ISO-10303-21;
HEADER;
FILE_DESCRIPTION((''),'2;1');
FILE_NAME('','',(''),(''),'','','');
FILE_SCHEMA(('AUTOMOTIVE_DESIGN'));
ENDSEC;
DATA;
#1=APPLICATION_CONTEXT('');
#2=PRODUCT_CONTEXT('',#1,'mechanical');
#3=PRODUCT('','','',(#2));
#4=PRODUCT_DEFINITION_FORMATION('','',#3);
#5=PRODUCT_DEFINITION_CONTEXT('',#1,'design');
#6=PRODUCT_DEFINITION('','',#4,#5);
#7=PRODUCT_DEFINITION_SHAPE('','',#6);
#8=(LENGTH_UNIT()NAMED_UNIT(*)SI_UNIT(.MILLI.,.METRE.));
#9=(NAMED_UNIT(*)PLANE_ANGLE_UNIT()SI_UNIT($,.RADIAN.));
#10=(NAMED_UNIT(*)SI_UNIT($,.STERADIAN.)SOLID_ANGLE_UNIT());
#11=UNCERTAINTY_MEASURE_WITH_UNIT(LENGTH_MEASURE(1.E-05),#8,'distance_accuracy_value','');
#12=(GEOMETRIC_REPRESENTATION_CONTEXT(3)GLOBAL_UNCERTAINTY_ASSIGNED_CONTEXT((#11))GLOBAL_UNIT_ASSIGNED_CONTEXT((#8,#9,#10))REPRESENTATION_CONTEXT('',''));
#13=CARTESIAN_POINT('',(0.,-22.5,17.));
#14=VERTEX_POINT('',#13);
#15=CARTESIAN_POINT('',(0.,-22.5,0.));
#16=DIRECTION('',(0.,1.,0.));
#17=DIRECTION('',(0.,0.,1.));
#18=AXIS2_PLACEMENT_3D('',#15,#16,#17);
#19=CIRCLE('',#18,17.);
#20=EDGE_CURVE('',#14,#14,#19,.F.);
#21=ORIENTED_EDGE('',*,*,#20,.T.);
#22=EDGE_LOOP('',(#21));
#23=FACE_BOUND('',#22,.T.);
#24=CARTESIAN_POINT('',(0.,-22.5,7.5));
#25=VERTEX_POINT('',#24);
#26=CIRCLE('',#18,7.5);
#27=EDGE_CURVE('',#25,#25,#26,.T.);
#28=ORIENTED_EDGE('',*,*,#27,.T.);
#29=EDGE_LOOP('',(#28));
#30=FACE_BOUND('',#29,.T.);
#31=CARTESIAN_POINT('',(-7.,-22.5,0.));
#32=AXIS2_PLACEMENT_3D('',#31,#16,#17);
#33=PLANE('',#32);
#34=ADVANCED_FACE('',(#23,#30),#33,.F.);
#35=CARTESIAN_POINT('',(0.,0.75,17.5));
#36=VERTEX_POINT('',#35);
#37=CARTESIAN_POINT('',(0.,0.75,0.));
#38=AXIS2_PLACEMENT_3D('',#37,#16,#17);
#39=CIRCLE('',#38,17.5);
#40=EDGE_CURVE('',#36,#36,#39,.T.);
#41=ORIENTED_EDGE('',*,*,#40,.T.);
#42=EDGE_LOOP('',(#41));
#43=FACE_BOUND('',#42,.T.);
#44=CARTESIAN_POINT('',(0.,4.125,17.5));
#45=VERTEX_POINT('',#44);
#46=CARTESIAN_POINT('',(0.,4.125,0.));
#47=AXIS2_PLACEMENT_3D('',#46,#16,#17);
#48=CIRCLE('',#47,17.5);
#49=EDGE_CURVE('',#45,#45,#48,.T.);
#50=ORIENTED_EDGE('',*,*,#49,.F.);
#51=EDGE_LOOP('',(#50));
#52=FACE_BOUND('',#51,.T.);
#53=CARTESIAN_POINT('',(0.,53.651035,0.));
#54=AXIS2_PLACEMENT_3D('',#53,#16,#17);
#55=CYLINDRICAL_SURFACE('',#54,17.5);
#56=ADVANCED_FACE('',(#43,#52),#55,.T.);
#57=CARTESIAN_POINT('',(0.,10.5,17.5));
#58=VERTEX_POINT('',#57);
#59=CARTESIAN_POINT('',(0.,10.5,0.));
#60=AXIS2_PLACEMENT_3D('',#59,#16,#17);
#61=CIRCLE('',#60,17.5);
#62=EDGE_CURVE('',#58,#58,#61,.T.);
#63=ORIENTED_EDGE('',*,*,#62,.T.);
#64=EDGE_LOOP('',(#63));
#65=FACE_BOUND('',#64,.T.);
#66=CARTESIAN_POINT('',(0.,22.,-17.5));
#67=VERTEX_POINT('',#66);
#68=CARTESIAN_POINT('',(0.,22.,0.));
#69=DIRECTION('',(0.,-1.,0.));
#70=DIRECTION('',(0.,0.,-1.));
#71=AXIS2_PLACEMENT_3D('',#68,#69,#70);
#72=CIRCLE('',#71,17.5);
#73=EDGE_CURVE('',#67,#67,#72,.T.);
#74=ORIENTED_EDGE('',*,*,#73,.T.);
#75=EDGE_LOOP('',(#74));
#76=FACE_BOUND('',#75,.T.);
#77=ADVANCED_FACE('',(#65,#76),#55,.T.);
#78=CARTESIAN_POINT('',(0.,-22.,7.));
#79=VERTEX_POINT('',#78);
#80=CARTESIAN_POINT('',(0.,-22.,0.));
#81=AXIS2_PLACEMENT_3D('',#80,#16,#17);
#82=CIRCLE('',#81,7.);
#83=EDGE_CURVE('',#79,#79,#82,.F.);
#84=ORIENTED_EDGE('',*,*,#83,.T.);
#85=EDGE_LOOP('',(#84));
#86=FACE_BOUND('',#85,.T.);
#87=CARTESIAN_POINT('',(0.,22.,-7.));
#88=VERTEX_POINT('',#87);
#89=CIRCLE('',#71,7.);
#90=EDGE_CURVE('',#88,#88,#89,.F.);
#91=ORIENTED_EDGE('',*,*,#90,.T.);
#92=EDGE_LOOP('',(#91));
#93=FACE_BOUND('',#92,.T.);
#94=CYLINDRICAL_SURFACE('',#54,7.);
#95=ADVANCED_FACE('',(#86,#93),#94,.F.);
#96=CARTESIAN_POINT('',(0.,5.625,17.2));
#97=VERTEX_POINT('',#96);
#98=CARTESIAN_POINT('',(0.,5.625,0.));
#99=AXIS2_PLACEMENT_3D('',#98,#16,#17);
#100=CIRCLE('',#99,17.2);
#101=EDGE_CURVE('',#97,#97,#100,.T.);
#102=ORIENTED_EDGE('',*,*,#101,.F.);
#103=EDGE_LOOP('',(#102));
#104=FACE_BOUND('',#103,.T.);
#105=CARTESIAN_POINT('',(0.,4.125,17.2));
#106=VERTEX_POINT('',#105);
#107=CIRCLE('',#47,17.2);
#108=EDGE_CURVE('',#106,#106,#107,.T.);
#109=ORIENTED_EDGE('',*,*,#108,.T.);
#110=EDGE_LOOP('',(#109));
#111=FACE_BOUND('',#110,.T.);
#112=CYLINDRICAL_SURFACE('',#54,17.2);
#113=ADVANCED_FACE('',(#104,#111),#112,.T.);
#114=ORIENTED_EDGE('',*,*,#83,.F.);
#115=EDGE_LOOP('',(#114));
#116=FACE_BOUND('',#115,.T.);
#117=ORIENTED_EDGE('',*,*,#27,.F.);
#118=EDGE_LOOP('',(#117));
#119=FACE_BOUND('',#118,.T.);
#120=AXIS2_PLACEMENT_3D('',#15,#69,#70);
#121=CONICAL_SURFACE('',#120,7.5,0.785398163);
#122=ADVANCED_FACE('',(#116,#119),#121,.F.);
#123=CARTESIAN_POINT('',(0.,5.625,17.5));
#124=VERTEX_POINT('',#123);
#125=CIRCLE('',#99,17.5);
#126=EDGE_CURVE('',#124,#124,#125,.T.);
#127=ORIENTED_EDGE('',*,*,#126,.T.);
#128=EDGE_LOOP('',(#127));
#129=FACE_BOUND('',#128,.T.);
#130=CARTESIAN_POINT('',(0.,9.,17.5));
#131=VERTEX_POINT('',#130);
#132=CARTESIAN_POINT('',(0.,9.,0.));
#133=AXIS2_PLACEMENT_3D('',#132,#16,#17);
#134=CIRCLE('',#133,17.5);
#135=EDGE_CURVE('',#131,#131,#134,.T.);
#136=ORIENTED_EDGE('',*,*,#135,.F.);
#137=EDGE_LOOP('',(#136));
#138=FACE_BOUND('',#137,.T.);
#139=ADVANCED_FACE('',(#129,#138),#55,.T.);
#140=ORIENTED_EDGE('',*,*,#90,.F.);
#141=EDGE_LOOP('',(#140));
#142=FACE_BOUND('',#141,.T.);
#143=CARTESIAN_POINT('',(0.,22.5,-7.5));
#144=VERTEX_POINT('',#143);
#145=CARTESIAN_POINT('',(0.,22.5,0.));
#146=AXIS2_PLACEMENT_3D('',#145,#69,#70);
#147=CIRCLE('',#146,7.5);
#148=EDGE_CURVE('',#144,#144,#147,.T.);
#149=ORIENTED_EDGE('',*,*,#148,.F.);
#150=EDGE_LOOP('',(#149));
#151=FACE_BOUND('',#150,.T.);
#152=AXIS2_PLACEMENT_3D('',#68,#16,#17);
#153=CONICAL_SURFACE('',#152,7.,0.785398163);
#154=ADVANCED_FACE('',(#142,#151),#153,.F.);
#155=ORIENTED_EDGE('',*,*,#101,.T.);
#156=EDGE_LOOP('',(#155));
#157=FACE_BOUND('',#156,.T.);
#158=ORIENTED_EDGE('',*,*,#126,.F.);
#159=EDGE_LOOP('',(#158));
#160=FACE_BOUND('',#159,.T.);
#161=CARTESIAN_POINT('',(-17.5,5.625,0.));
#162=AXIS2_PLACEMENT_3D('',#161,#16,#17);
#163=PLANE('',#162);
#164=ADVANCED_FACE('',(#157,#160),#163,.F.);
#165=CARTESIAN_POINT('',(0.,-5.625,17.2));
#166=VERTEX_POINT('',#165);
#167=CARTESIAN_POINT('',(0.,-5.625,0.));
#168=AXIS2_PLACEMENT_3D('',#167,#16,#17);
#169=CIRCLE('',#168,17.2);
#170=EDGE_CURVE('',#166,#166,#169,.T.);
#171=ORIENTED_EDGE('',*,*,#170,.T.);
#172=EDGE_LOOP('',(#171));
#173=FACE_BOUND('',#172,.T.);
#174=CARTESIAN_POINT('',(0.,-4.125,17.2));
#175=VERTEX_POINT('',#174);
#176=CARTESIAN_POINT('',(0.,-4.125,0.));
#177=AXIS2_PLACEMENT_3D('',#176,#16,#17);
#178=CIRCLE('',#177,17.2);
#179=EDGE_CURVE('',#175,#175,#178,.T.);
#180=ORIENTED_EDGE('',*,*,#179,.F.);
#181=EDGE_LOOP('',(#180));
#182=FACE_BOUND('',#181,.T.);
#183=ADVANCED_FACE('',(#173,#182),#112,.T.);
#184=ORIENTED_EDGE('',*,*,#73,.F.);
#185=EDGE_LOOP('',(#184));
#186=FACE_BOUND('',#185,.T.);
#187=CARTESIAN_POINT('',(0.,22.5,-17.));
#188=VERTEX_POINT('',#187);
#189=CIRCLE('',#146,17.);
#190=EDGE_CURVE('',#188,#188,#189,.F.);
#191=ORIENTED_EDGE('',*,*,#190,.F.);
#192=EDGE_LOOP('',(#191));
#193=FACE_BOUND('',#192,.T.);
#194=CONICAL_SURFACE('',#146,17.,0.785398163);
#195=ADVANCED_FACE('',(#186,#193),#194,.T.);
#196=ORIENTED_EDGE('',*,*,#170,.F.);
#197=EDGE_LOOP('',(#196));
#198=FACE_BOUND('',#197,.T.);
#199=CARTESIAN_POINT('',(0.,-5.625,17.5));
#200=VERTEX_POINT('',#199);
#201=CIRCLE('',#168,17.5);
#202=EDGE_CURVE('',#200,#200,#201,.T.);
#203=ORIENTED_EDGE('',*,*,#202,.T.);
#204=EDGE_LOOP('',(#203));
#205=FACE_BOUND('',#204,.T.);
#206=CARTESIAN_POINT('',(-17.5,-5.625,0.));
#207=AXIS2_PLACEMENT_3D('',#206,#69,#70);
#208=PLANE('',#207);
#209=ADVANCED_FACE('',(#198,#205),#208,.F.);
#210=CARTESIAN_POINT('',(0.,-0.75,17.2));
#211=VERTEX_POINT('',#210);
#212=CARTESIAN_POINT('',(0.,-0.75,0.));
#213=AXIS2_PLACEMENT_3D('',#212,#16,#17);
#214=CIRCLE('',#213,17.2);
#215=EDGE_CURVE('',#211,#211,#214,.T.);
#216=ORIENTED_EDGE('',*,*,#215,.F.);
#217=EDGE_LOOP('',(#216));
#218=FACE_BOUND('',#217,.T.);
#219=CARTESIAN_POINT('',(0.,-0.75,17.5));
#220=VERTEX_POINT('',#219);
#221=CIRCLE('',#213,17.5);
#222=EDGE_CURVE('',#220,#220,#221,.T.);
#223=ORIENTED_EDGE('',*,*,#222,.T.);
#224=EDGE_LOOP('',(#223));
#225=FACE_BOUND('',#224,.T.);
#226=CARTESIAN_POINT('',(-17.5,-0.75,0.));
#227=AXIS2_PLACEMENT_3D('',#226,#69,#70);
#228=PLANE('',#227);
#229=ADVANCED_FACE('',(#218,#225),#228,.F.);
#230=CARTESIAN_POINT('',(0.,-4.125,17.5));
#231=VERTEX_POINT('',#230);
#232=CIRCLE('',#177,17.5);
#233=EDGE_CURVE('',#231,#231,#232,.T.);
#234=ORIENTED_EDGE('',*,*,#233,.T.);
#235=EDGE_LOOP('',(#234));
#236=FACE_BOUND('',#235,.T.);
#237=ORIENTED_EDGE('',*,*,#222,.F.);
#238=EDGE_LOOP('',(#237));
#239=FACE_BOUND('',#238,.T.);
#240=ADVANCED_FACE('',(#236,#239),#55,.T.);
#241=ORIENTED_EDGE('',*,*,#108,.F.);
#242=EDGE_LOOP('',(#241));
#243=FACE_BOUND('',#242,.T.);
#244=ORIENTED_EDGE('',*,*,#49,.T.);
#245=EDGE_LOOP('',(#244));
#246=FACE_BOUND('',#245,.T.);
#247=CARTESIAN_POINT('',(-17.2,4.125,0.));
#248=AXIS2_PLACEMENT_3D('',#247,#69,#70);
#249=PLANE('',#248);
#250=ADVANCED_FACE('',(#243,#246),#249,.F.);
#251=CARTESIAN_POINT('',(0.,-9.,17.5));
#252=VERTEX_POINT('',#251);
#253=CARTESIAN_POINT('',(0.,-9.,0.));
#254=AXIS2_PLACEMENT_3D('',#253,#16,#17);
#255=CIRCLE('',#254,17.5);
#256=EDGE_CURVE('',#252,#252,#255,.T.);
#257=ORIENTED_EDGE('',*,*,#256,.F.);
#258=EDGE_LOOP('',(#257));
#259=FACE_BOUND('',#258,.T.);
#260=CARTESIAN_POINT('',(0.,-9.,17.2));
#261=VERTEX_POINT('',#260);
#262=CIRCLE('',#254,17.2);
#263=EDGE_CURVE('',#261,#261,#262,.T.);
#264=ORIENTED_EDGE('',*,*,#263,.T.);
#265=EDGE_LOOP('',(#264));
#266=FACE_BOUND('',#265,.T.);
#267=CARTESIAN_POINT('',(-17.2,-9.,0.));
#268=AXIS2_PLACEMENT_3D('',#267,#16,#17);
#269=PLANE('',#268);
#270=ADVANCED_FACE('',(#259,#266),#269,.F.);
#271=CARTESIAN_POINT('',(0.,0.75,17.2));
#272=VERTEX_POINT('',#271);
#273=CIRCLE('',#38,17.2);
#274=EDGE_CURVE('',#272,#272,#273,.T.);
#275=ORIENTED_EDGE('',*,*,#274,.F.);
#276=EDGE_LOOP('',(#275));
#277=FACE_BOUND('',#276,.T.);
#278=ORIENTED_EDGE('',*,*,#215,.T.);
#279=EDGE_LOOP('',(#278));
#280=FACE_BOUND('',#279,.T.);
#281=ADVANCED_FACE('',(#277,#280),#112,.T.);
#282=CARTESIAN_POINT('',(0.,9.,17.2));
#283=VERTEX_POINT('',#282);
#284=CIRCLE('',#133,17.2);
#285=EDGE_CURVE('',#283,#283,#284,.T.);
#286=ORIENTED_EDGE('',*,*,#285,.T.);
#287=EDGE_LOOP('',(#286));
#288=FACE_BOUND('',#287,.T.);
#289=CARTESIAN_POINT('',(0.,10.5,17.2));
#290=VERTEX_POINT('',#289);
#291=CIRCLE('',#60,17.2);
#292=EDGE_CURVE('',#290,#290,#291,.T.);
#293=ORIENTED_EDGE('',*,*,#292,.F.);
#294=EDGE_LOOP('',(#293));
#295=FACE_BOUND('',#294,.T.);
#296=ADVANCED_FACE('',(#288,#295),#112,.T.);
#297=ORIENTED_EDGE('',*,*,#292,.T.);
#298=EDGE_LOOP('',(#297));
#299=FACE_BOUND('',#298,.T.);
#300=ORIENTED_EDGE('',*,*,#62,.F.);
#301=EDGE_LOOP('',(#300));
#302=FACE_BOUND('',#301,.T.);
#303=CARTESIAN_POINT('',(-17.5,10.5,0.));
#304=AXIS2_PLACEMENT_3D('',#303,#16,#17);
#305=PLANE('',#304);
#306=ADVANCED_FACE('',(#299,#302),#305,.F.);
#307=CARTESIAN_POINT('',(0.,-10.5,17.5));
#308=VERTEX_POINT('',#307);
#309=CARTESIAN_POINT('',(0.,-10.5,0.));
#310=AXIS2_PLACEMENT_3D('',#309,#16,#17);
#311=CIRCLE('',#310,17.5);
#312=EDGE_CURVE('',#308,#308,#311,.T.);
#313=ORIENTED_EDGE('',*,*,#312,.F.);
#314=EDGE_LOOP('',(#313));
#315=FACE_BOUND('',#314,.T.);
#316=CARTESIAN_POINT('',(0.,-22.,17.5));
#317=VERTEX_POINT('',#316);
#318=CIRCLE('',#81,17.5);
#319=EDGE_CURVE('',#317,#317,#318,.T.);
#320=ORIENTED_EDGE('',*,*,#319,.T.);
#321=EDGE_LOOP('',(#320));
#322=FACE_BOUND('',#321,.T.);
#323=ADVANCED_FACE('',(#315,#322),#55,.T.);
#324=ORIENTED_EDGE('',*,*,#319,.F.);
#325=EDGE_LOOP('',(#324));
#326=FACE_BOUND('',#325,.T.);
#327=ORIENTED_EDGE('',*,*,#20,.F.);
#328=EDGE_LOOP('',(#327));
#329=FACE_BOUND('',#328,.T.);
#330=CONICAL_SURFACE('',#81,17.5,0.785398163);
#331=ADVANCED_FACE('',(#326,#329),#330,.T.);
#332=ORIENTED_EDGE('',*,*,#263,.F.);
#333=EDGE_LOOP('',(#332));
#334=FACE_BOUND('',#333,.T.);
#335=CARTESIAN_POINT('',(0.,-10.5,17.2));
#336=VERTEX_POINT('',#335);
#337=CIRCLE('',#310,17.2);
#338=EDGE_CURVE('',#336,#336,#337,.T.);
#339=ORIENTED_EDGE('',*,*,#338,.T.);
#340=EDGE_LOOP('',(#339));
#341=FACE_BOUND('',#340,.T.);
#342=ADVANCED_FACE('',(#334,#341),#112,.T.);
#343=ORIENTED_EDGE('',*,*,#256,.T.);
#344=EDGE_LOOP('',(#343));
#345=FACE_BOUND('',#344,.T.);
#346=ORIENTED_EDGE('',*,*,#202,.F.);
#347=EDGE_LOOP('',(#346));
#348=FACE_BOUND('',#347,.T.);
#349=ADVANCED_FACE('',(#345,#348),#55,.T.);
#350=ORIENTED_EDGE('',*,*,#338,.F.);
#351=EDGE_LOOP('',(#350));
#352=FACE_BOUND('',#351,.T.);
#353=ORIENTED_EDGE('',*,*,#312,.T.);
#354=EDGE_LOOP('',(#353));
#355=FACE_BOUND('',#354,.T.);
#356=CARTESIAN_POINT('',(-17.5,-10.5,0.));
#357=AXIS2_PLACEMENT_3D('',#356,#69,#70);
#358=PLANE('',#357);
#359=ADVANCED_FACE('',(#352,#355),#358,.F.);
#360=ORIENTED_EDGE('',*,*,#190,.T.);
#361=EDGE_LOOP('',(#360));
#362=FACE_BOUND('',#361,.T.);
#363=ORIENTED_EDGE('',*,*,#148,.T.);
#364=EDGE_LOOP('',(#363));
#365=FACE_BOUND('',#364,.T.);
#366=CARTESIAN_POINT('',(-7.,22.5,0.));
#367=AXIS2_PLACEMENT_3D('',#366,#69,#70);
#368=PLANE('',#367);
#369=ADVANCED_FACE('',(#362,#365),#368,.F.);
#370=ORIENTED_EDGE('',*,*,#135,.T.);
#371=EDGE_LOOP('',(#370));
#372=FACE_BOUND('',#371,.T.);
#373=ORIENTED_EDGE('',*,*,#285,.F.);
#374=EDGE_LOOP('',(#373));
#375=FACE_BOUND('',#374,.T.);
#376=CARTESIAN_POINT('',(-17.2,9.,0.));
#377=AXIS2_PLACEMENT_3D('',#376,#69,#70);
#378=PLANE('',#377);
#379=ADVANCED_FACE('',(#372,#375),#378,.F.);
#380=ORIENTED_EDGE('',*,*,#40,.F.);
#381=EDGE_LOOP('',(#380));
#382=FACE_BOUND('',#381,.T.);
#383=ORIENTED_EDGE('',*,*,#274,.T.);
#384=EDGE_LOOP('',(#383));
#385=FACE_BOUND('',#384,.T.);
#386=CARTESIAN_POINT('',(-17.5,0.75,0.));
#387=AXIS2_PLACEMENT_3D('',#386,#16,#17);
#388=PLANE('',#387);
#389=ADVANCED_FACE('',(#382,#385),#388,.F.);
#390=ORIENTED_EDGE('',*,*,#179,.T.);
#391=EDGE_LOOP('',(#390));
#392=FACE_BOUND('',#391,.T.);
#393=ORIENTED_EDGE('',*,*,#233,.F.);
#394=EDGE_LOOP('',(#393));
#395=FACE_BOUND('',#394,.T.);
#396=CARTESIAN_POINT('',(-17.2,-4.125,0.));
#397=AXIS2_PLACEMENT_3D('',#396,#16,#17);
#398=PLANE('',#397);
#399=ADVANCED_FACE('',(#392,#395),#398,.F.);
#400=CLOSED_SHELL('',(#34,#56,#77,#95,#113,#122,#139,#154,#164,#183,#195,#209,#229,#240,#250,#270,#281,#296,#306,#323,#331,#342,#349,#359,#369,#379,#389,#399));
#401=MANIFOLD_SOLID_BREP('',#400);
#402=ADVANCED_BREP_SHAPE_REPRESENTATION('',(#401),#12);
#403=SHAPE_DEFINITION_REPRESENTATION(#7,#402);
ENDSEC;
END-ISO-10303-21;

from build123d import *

# Parameters (mm, degrees)
CHAMFER_1_SIZE = 0.5


with BuildPart() as part:
    # Эскиз1 → Повернуть1 (revolve)
    with BuildSketch(Plane.XY):
        Polygon((7, 22.5), (17.5, 22.5), (17.5, 10.5), (17.2, 10.5), (17.2, 9), (17.5, 9), (17.5, 5.625), (17.2, 5.625), (17.2, 4.125), (17.5, 4.125), (17.5, 0.75), (17.2, 0.75), (17.2, -0.75), (17.5, -0.75), (17.5, -4.125), (17.2, -4.125), (17.2, -5.625), (17.5, -5.625), (17.5, -9), (17.2, -9), (17.2, -10.5), (17.5, -10.5), (17.5, -22.5), (7, -22.5), align=None)
    revolve(axis=Axis((0, 53.65103478, 0), (0, -1, 0)))

    # Фаска1
    chamfer_1_edges = [part.edges().sort_by_distance(p)[0] for p in [
        (-7, -22.5, 0),
        (-17.5, -22.5, 0),
        (-7, 22.5, 0),
        (-17.5, 22.5, 0),
    ]]
    chamfer(chamfer_1_edges, length=CHAMFER_1_SIZE)


solid = part.part
